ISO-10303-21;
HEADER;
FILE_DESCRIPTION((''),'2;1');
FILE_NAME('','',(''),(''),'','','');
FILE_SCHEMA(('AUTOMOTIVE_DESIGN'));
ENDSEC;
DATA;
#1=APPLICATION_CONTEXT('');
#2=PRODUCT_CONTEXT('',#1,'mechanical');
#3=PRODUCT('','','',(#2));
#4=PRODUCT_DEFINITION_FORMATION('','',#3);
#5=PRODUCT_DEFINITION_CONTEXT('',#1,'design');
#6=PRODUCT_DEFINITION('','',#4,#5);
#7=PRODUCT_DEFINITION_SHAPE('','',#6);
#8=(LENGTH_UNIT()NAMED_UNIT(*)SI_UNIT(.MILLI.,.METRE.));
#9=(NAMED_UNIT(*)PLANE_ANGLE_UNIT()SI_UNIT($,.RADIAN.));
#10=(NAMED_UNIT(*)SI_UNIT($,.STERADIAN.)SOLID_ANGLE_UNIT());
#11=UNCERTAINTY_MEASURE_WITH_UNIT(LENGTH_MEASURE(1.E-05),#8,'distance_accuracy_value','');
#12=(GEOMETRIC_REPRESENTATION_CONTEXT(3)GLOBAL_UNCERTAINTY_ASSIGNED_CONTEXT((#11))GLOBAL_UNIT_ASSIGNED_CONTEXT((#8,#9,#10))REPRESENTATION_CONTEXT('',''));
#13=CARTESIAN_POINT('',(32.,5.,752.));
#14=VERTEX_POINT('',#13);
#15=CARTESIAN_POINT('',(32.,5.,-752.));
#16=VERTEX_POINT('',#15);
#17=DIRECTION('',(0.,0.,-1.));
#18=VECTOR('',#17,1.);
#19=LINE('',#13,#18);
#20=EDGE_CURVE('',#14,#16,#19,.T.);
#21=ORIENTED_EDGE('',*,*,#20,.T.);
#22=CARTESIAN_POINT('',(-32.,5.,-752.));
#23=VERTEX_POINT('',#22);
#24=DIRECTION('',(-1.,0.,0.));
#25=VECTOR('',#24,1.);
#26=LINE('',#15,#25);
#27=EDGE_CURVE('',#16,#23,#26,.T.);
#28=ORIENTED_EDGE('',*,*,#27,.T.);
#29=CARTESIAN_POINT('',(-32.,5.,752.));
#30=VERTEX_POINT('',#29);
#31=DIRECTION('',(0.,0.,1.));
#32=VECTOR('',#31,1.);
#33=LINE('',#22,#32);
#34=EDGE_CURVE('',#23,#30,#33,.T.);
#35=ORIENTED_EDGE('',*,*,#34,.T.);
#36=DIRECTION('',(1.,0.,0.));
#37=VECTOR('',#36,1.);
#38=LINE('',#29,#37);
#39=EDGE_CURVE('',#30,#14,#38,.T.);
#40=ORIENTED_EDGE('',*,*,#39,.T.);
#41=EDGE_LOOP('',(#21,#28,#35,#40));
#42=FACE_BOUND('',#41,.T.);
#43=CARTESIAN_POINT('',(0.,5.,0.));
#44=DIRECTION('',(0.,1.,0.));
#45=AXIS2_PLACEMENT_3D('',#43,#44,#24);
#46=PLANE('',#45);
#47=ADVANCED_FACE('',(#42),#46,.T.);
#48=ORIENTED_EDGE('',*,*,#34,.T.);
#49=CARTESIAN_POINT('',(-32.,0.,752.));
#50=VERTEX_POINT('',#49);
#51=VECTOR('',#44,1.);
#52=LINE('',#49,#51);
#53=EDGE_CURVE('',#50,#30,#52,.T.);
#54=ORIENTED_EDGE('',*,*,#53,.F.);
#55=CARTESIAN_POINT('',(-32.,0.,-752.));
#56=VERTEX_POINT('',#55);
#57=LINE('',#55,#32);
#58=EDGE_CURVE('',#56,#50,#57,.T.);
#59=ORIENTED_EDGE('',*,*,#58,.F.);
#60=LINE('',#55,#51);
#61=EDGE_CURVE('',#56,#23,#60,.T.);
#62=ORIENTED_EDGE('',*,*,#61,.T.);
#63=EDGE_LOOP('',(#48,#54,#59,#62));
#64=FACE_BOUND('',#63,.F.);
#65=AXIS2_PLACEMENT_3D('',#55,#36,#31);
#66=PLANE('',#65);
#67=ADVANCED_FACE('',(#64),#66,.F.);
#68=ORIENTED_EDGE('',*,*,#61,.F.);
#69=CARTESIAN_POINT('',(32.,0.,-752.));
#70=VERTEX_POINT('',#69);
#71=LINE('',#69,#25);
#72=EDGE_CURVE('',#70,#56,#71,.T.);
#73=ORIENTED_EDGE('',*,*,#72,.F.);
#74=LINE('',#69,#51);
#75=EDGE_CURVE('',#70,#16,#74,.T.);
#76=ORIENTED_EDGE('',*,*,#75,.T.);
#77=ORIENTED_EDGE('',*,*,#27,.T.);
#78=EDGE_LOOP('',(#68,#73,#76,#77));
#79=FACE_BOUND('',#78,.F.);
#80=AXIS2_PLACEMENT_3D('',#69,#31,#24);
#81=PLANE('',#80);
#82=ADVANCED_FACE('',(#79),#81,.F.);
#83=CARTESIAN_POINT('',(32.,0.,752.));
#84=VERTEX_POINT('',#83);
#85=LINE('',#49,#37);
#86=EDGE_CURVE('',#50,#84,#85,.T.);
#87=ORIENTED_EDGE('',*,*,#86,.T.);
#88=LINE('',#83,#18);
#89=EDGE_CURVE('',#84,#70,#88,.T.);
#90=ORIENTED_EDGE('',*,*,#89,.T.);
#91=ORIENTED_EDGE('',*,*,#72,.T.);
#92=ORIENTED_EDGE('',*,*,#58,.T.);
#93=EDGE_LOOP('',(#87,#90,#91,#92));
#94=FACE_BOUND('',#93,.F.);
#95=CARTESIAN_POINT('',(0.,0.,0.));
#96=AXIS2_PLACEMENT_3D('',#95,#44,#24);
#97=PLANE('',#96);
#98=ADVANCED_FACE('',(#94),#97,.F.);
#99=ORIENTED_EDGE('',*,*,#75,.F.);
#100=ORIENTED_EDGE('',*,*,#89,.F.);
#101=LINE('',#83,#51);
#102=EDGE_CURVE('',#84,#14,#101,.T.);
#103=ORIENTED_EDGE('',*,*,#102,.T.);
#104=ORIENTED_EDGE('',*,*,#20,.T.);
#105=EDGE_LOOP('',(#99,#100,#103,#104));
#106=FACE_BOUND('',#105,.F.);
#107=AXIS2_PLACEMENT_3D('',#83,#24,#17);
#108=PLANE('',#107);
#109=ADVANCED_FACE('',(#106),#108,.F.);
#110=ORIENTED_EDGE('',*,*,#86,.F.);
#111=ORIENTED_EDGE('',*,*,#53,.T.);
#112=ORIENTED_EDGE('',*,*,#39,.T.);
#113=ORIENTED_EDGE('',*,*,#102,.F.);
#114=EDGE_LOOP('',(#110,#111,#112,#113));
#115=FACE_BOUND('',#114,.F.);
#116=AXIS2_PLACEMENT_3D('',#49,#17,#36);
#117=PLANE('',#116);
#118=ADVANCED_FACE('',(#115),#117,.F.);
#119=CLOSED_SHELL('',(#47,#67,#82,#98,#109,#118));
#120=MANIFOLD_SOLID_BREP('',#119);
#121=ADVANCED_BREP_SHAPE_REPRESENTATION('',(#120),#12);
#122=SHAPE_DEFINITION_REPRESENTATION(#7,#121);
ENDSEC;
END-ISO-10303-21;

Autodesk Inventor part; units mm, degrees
ref_plane "YZ Plane" through (0, 0, 0) normal (1, 0, 0) x (0, 1, 0)
ref_plane "XZ Plane" through (0, 0, 0) normal (0, 1, 0) x (-1, 0, 0)
ref_plane "XY Plane" through (0, 0, 0) normal (0, 0, 1) x (1, 0, 0)
sketch "Эскиз1" plane through (0, 0, 0) normal (0, 1, 0) x (-1, 0, 0)
  line L0 (32, 752) -> (-32, 752)
  line L1 (-32, 752) -> (-32, -752)
  line L2 (-32, -752) -> (32, -752)
  line L3 (32, -752) -> (32, 752)
  line L4 (32, 752) -> (-32, -752) construction
  line L5 (-32, 752) -> (32, -752) construction
  point P0 (0, 0)
  dimension "d0" = 64
  dimension "d1" = 1504
extrude "Пластина1" add sketch "Эскиз1" along normal blind 5
equation "\"d2\" = Толщина"
equation "\"Радиус_гибки\" = Толщина"
equation "\"Ширина_просечки\" = Толщина"
equation "\"Глубина_просечки\" = 0.5 * Толщина"
equation "\"Радиус_перехода\" = Радиус_гибки"
equation "\"Радиус_Якоби\" = Радиус_гибки"
equation "\"Размер_зазора\" = Толщина"
equation "\"Толщина\" = 5"
properties part number "0933_CPY" material "Steel"
